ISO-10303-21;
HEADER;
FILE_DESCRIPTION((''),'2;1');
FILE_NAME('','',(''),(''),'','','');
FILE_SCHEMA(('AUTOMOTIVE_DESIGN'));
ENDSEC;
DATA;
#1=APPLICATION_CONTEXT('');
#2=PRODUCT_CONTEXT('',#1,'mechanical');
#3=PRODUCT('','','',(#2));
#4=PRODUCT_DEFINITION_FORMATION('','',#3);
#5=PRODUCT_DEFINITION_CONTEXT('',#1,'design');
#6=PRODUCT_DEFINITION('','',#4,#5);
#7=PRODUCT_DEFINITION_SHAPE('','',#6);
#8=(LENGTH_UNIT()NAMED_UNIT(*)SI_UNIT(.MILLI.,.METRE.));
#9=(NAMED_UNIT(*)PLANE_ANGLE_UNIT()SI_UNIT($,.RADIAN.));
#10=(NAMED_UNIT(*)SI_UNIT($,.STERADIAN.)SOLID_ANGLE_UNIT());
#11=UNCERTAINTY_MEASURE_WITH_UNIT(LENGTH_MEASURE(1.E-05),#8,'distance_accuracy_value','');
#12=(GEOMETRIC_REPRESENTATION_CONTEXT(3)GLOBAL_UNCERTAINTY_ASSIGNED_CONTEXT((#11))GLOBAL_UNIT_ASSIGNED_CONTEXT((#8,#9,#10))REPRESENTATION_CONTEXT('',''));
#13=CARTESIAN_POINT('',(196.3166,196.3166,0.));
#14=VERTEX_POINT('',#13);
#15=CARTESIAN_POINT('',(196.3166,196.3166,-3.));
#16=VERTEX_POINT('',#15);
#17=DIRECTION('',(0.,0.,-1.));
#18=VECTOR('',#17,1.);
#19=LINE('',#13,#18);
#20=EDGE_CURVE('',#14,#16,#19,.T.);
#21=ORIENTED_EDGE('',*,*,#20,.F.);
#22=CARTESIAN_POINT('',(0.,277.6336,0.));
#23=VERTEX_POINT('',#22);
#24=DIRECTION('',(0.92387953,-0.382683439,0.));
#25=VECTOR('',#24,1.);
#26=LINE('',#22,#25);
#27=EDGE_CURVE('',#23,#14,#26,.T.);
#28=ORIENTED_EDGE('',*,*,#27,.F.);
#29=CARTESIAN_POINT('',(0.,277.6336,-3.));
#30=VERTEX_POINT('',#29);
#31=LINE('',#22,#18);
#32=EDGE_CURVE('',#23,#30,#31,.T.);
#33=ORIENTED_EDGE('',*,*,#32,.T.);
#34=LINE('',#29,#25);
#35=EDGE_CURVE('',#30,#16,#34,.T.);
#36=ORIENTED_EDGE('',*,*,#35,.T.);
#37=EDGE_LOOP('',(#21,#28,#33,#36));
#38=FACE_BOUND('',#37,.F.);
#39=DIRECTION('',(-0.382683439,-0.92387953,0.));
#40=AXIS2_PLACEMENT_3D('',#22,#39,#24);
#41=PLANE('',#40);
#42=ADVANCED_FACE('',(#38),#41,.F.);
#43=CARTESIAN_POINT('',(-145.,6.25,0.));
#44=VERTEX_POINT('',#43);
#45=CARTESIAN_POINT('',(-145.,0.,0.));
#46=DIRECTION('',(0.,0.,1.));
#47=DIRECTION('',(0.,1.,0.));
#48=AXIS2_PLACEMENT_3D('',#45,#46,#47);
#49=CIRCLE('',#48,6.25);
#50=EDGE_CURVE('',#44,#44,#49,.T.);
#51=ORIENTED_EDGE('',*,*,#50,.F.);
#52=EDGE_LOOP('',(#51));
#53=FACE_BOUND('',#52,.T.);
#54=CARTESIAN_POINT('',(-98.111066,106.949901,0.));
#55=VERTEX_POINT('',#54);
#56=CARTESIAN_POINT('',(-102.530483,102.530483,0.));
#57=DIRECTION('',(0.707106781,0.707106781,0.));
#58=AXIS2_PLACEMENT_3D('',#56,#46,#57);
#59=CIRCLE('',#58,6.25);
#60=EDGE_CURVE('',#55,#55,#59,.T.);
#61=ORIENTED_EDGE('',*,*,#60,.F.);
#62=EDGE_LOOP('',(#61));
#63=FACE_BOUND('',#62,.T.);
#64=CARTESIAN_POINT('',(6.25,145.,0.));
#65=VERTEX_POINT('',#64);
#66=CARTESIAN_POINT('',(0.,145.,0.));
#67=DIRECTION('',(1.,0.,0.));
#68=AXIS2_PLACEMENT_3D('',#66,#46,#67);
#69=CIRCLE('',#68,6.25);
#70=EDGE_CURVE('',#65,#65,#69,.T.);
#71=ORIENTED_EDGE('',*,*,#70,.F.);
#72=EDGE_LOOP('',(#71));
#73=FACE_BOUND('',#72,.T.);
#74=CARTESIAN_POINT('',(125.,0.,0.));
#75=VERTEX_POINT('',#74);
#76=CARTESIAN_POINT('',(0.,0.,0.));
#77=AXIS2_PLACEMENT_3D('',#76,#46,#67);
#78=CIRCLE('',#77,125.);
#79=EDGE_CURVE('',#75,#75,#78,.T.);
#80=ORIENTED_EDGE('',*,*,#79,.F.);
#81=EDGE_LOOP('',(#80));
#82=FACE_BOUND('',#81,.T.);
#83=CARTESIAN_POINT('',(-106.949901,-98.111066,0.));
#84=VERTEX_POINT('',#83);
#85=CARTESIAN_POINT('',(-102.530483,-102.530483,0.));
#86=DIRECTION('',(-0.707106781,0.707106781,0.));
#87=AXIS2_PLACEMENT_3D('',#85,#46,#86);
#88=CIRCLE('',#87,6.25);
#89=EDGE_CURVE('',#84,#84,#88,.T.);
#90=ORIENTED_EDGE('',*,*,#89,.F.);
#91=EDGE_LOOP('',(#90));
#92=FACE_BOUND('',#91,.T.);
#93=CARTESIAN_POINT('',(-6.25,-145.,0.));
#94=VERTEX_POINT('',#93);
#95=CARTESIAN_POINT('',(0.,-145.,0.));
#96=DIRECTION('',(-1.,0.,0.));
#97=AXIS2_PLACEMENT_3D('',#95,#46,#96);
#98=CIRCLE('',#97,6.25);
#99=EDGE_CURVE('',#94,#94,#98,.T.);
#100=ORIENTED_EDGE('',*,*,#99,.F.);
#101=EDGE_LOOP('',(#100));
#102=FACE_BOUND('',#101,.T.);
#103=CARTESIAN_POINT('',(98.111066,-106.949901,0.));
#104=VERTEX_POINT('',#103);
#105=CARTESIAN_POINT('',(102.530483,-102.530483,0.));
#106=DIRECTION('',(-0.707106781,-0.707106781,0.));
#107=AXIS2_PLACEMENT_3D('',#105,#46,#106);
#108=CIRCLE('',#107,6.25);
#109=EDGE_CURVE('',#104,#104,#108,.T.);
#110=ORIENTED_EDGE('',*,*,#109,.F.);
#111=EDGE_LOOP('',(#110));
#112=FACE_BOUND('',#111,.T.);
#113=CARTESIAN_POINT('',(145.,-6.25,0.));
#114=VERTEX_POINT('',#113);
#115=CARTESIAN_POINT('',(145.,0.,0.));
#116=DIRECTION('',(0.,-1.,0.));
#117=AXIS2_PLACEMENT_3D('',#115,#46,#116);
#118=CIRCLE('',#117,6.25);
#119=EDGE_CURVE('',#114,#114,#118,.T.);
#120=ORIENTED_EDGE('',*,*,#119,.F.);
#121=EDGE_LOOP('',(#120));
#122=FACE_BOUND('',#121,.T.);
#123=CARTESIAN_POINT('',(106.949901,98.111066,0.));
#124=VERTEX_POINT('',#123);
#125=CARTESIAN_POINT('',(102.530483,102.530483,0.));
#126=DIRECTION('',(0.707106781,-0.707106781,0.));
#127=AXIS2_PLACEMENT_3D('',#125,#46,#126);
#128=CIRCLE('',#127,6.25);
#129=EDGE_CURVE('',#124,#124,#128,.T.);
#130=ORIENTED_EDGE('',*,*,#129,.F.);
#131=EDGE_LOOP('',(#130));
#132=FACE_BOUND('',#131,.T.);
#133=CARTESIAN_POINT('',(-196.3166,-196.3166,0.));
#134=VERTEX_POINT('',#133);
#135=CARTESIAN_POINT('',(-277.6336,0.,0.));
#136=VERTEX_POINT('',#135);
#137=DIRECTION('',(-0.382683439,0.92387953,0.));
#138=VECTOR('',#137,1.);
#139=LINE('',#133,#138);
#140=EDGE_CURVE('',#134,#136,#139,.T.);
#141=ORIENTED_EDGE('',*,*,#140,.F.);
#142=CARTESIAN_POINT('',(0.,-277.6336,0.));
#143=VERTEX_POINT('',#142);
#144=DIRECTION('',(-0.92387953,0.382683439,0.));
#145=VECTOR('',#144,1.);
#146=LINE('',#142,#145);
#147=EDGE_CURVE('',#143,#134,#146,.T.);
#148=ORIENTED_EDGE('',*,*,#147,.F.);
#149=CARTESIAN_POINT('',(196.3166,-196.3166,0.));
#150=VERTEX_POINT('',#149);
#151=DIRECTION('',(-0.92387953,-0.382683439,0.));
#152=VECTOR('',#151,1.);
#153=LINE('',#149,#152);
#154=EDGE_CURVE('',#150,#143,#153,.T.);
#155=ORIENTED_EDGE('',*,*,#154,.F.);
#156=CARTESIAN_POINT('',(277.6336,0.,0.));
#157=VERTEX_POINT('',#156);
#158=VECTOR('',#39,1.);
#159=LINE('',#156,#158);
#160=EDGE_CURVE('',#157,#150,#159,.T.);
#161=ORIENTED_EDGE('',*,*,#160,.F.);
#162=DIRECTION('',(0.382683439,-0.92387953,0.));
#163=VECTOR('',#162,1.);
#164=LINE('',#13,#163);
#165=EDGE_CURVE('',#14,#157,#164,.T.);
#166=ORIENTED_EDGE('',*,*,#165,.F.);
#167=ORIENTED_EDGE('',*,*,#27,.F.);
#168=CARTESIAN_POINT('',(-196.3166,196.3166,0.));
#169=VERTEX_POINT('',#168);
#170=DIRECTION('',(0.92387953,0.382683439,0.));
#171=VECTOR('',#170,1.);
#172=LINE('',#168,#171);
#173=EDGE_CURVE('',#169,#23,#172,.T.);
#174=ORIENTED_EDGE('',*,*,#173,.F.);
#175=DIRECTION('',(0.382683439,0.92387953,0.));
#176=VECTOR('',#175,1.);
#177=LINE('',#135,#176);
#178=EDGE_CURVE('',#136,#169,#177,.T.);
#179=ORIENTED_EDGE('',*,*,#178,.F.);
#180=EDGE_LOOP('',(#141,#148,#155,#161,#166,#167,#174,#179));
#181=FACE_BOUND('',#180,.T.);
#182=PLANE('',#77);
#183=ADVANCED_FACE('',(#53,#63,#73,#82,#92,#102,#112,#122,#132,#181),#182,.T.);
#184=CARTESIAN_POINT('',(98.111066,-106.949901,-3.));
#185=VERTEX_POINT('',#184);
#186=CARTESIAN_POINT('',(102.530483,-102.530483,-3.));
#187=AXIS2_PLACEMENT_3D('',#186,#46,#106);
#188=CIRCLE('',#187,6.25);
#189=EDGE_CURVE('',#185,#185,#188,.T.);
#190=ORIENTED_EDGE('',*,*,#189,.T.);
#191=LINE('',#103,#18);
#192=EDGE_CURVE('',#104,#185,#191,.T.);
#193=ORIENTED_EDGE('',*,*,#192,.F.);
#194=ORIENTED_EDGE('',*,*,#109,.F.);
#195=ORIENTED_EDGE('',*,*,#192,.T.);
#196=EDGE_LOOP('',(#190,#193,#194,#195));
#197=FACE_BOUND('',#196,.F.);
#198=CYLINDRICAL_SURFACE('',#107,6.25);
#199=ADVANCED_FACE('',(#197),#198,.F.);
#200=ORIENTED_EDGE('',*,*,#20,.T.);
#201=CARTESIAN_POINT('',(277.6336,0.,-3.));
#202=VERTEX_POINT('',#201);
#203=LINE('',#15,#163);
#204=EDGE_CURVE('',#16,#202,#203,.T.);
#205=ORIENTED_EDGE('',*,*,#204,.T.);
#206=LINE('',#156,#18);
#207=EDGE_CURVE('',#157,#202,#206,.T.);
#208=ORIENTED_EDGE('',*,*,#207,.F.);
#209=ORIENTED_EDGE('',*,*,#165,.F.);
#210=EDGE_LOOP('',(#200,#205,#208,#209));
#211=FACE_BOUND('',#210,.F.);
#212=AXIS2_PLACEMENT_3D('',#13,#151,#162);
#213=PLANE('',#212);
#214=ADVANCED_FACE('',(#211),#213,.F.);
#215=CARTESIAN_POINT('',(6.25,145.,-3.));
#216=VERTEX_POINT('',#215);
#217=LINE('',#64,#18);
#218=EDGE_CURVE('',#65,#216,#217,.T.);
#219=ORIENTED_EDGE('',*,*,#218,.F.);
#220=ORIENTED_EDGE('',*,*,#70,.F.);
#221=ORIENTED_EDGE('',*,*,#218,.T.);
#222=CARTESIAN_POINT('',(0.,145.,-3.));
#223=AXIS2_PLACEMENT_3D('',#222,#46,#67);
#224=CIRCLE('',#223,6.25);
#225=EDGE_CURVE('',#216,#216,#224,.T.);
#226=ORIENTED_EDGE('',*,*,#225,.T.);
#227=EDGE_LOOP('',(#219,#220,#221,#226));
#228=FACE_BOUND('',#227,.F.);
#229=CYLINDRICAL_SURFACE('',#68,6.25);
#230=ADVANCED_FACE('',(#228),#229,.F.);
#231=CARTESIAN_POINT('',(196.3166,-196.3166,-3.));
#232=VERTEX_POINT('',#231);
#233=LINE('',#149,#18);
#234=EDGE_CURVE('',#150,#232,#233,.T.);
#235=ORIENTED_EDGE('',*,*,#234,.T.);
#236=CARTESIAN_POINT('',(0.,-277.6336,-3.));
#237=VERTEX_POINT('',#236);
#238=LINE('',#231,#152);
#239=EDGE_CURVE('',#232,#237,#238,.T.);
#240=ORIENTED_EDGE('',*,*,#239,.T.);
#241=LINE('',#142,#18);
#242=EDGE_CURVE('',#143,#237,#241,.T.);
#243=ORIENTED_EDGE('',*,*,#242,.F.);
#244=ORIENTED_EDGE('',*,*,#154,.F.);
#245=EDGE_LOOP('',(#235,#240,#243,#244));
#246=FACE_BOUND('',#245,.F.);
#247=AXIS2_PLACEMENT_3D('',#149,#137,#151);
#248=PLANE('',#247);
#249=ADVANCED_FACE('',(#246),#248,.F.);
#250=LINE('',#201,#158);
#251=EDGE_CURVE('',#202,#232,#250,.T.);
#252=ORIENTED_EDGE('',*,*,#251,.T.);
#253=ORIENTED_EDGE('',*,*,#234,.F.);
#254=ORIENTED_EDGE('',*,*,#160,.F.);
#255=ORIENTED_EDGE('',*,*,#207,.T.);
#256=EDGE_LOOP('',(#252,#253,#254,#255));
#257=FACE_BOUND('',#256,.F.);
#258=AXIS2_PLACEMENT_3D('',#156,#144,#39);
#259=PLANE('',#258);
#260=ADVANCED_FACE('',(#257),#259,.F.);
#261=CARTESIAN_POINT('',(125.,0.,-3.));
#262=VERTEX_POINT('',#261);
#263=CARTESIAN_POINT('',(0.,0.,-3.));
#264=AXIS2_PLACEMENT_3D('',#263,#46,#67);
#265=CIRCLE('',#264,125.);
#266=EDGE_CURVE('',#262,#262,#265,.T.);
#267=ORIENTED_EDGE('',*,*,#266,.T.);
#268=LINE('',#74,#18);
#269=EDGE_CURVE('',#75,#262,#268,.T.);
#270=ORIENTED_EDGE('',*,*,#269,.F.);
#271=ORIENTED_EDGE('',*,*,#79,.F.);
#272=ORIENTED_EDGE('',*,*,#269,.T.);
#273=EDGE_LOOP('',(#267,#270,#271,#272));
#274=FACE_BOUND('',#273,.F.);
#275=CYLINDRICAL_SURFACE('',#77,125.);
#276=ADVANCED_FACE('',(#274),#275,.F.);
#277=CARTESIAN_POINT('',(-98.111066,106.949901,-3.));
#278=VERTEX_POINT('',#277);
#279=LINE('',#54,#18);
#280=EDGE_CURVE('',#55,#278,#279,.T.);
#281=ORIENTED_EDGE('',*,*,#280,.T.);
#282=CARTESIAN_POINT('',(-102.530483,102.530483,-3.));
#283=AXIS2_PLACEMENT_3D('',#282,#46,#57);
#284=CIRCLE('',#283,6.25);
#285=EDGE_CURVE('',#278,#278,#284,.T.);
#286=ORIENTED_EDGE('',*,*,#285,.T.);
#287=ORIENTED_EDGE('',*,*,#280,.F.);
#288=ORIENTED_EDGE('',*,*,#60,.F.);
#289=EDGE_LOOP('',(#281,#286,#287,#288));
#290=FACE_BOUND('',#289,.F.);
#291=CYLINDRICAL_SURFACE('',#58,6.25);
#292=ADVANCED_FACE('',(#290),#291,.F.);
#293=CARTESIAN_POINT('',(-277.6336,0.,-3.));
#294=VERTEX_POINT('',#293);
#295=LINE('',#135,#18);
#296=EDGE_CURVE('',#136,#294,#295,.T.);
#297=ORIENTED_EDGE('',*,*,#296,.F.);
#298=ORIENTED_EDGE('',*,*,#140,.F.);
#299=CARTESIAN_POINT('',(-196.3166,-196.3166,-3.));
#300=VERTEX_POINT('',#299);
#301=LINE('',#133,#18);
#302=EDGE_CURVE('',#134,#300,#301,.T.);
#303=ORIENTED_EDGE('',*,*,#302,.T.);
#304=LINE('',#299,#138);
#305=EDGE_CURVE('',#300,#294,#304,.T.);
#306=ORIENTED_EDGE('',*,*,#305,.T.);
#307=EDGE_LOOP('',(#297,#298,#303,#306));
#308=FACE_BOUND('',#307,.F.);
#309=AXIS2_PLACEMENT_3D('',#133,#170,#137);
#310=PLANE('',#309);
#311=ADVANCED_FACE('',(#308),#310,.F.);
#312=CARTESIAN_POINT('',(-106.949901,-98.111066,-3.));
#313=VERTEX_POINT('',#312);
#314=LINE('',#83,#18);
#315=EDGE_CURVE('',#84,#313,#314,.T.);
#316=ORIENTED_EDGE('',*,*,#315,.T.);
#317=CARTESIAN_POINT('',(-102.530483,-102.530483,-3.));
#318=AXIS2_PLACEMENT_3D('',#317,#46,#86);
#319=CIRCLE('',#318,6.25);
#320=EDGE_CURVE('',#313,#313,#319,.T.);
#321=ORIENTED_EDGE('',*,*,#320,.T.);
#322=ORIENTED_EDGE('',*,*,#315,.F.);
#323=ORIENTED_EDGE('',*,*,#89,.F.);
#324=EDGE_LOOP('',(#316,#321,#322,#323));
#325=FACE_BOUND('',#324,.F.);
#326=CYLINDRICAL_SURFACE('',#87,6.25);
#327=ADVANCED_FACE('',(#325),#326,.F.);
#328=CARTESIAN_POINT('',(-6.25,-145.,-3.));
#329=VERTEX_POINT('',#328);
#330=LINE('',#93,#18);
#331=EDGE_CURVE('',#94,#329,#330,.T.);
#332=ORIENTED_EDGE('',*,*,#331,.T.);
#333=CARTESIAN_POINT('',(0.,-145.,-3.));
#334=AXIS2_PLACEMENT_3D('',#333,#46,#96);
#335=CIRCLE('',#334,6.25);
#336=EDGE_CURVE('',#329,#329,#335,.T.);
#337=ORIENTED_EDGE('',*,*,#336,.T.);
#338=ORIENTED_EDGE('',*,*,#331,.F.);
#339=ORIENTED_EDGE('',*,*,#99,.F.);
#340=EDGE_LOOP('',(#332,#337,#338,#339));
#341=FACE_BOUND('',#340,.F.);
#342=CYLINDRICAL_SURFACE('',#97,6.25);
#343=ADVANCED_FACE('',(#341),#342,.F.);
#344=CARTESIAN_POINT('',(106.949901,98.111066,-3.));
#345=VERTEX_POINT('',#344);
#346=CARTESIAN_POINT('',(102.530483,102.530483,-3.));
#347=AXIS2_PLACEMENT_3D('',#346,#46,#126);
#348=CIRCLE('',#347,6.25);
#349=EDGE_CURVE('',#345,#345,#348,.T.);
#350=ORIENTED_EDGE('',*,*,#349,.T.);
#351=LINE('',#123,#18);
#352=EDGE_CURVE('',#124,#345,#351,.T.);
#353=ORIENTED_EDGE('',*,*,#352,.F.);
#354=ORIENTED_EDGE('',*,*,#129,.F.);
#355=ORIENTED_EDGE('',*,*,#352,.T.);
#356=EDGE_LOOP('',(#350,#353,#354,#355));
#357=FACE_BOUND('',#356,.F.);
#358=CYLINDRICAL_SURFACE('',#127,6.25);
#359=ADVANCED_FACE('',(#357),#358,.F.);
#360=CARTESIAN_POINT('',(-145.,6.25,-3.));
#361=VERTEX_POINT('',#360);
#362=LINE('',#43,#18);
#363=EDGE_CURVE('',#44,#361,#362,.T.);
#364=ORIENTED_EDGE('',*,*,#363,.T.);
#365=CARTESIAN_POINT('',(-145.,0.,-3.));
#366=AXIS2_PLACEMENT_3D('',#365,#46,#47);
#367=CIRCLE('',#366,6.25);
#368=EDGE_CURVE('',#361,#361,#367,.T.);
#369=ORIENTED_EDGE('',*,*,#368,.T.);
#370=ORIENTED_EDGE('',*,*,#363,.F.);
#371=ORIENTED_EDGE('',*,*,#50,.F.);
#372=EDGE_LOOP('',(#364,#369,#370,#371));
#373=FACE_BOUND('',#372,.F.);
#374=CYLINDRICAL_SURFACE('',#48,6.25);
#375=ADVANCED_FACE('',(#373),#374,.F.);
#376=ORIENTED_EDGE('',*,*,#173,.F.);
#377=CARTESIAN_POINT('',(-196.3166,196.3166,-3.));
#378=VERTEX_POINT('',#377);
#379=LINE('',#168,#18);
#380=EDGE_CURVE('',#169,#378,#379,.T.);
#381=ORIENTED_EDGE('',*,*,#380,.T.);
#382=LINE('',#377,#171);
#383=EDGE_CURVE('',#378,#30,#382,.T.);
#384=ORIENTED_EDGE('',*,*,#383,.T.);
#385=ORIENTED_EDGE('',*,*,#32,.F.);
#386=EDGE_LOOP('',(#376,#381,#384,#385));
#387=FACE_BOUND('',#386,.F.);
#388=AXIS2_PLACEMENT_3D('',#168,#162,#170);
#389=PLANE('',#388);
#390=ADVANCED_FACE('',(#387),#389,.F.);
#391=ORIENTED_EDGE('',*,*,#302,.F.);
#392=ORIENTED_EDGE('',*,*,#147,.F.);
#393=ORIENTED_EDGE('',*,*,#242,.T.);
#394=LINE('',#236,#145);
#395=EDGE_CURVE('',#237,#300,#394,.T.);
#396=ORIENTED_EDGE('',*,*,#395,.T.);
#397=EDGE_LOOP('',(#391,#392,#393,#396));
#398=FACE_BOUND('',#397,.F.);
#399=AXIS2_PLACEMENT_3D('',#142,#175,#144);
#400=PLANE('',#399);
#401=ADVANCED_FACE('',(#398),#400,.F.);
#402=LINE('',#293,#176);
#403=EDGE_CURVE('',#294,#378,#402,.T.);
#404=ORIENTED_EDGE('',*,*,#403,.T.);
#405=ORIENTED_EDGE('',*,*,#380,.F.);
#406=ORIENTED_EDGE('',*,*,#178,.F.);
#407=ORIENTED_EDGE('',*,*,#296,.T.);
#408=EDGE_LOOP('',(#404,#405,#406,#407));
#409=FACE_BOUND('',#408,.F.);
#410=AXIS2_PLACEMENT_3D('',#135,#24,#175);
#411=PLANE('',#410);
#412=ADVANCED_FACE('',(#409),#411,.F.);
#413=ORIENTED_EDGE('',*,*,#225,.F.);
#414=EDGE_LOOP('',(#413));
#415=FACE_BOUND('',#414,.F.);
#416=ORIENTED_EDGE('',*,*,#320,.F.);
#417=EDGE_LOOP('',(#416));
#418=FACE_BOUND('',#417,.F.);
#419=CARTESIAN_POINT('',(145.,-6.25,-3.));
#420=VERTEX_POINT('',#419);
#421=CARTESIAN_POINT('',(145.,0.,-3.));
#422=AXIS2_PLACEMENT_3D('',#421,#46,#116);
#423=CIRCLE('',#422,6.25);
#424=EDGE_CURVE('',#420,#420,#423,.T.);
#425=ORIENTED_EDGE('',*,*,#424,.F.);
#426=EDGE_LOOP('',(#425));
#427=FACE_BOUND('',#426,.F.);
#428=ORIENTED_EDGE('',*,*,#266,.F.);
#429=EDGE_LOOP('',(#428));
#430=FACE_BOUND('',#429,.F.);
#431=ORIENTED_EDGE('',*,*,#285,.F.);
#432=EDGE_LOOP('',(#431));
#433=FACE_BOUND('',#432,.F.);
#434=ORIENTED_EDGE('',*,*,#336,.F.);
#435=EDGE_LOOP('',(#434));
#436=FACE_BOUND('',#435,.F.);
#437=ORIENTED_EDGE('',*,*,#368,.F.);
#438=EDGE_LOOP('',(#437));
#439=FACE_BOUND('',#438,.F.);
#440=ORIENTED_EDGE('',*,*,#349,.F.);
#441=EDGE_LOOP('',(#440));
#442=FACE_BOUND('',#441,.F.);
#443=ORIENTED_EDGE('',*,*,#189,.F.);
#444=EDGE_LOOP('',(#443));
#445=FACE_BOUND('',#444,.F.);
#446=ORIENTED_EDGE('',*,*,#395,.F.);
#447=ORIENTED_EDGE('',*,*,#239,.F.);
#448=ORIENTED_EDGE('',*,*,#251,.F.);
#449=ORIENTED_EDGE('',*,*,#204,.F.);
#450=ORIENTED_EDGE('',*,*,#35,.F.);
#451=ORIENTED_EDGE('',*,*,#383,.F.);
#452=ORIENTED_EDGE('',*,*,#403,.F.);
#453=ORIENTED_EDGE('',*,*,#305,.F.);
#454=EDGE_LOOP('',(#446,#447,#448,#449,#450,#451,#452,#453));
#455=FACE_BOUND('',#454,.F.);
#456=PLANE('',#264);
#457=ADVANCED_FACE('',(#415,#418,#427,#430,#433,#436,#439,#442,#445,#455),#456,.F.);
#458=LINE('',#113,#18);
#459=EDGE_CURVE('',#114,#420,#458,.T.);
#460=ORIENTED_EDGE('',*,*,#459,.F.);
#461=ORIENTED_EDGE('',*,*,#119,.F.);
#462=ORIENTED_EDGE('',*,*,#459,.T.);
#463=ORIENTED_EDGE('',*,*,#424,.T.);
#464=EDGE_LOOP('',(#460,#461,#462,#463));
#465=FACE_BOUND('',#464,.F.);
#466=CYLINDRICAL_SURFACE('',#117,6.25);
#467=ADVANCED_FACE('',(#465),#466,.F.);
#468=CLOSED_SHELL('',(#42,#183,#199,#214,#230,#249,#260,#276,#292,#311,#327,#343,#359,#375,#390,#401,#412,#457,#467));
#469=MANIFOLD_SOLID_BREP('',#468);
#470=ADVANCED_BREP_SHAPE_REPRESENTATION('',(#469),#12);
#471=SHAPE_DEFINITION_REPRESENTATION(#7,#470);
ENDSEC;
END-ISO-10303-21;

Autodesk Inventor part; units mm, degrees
ref_plane "YZ Plane" through (0, 0, 0) normal (1, 0, 0) x (0, 1, 0)
ref_plane "XZ Plane" through (0, 0, 0) normal (0, 1, 0) x (-1, 0, 0)
ref_plane "XY Plane" through (0, 0, 0) normal (0, 0, 1) x (1, 0, 0)
sketch "Sketch2" plane through (0, 0, 0) normal (0, 0, 1) x (1, 0, 0)
  line L0 (-196.3166, 196.3166) -> (0, 277.6336)
  line L1 (0, 277.6336) -> (196.3166, 196.3166)
  line L2 (196.3166, 196.3166) -> (277.6336, 0)
  line L3 (277.6336, 0) -> (196.3166, -196.3166)
  line L4 (196.3166, -196.3166) -> (0, -277.6336)
  line L5 (0, -277.6336) -> (-196.3166, -196.3166)
  line L6 (-196.3166, -196.3166) -> (-277.6336, 0)
  line L7 (-277.6336, 0) -> (-196.3166, 196.3166)
  circle A0 centre (0, 0) radius 125
  dimension "d23" = 513
  dimension "d26" = 250
extrude "Plate1" add sketch "Sketch2" against normal blind 3
sketch "Sketch4" plane through (0, 0, 0) normal (0, 0, 1) x (1, 0, 0)
  circle A0 centre (0, 145) radius 6.25
  circle A1 centre (0, 0) radius 125 projected
  dimension "d16" = 12.5
  dimension "d17" = 145
extrude "Extrusion1" cut sketch "Sketch4" against normal up to surface (3 mm away) contours A0
pattern_circular "Circular Pattern1" count 8 over 360 about axis through (0, 0, -10) along (0, 0, 1) of "Extrusion1"
equation "\"d23\" = Барабан_габарит_по_кассетам"
equation "\"d26\" = Вал_ось_диаметр_НОС"
equation "\"d15\" = Thickness"
equation "\"BendRadius\" = Thickness"
equation "\"BendReliefWidth\" = Thickness"
equation "\"BendReliefDepth\" = 0.5 * Thickness"
equation "\"CornerReliefSize\" = 4 * Thickness"
equation "\"MinimumRemnant\" = 2 * Thickness"
equation "\"TransitionRadius\" = BendRadius"
equation "\"JacobiRadiusSize\" = BendRadius"
equation "\"GapSize\" = Thickness"
equation "\"Барабан_габарит_по_кассетам\" = 513"
equation "\"Вал_ось_диаметр_НОС\" = 250"
equation "\"Thickness\" = 3"
properties part number "DMF 01 21 cylinder butt end nose"
